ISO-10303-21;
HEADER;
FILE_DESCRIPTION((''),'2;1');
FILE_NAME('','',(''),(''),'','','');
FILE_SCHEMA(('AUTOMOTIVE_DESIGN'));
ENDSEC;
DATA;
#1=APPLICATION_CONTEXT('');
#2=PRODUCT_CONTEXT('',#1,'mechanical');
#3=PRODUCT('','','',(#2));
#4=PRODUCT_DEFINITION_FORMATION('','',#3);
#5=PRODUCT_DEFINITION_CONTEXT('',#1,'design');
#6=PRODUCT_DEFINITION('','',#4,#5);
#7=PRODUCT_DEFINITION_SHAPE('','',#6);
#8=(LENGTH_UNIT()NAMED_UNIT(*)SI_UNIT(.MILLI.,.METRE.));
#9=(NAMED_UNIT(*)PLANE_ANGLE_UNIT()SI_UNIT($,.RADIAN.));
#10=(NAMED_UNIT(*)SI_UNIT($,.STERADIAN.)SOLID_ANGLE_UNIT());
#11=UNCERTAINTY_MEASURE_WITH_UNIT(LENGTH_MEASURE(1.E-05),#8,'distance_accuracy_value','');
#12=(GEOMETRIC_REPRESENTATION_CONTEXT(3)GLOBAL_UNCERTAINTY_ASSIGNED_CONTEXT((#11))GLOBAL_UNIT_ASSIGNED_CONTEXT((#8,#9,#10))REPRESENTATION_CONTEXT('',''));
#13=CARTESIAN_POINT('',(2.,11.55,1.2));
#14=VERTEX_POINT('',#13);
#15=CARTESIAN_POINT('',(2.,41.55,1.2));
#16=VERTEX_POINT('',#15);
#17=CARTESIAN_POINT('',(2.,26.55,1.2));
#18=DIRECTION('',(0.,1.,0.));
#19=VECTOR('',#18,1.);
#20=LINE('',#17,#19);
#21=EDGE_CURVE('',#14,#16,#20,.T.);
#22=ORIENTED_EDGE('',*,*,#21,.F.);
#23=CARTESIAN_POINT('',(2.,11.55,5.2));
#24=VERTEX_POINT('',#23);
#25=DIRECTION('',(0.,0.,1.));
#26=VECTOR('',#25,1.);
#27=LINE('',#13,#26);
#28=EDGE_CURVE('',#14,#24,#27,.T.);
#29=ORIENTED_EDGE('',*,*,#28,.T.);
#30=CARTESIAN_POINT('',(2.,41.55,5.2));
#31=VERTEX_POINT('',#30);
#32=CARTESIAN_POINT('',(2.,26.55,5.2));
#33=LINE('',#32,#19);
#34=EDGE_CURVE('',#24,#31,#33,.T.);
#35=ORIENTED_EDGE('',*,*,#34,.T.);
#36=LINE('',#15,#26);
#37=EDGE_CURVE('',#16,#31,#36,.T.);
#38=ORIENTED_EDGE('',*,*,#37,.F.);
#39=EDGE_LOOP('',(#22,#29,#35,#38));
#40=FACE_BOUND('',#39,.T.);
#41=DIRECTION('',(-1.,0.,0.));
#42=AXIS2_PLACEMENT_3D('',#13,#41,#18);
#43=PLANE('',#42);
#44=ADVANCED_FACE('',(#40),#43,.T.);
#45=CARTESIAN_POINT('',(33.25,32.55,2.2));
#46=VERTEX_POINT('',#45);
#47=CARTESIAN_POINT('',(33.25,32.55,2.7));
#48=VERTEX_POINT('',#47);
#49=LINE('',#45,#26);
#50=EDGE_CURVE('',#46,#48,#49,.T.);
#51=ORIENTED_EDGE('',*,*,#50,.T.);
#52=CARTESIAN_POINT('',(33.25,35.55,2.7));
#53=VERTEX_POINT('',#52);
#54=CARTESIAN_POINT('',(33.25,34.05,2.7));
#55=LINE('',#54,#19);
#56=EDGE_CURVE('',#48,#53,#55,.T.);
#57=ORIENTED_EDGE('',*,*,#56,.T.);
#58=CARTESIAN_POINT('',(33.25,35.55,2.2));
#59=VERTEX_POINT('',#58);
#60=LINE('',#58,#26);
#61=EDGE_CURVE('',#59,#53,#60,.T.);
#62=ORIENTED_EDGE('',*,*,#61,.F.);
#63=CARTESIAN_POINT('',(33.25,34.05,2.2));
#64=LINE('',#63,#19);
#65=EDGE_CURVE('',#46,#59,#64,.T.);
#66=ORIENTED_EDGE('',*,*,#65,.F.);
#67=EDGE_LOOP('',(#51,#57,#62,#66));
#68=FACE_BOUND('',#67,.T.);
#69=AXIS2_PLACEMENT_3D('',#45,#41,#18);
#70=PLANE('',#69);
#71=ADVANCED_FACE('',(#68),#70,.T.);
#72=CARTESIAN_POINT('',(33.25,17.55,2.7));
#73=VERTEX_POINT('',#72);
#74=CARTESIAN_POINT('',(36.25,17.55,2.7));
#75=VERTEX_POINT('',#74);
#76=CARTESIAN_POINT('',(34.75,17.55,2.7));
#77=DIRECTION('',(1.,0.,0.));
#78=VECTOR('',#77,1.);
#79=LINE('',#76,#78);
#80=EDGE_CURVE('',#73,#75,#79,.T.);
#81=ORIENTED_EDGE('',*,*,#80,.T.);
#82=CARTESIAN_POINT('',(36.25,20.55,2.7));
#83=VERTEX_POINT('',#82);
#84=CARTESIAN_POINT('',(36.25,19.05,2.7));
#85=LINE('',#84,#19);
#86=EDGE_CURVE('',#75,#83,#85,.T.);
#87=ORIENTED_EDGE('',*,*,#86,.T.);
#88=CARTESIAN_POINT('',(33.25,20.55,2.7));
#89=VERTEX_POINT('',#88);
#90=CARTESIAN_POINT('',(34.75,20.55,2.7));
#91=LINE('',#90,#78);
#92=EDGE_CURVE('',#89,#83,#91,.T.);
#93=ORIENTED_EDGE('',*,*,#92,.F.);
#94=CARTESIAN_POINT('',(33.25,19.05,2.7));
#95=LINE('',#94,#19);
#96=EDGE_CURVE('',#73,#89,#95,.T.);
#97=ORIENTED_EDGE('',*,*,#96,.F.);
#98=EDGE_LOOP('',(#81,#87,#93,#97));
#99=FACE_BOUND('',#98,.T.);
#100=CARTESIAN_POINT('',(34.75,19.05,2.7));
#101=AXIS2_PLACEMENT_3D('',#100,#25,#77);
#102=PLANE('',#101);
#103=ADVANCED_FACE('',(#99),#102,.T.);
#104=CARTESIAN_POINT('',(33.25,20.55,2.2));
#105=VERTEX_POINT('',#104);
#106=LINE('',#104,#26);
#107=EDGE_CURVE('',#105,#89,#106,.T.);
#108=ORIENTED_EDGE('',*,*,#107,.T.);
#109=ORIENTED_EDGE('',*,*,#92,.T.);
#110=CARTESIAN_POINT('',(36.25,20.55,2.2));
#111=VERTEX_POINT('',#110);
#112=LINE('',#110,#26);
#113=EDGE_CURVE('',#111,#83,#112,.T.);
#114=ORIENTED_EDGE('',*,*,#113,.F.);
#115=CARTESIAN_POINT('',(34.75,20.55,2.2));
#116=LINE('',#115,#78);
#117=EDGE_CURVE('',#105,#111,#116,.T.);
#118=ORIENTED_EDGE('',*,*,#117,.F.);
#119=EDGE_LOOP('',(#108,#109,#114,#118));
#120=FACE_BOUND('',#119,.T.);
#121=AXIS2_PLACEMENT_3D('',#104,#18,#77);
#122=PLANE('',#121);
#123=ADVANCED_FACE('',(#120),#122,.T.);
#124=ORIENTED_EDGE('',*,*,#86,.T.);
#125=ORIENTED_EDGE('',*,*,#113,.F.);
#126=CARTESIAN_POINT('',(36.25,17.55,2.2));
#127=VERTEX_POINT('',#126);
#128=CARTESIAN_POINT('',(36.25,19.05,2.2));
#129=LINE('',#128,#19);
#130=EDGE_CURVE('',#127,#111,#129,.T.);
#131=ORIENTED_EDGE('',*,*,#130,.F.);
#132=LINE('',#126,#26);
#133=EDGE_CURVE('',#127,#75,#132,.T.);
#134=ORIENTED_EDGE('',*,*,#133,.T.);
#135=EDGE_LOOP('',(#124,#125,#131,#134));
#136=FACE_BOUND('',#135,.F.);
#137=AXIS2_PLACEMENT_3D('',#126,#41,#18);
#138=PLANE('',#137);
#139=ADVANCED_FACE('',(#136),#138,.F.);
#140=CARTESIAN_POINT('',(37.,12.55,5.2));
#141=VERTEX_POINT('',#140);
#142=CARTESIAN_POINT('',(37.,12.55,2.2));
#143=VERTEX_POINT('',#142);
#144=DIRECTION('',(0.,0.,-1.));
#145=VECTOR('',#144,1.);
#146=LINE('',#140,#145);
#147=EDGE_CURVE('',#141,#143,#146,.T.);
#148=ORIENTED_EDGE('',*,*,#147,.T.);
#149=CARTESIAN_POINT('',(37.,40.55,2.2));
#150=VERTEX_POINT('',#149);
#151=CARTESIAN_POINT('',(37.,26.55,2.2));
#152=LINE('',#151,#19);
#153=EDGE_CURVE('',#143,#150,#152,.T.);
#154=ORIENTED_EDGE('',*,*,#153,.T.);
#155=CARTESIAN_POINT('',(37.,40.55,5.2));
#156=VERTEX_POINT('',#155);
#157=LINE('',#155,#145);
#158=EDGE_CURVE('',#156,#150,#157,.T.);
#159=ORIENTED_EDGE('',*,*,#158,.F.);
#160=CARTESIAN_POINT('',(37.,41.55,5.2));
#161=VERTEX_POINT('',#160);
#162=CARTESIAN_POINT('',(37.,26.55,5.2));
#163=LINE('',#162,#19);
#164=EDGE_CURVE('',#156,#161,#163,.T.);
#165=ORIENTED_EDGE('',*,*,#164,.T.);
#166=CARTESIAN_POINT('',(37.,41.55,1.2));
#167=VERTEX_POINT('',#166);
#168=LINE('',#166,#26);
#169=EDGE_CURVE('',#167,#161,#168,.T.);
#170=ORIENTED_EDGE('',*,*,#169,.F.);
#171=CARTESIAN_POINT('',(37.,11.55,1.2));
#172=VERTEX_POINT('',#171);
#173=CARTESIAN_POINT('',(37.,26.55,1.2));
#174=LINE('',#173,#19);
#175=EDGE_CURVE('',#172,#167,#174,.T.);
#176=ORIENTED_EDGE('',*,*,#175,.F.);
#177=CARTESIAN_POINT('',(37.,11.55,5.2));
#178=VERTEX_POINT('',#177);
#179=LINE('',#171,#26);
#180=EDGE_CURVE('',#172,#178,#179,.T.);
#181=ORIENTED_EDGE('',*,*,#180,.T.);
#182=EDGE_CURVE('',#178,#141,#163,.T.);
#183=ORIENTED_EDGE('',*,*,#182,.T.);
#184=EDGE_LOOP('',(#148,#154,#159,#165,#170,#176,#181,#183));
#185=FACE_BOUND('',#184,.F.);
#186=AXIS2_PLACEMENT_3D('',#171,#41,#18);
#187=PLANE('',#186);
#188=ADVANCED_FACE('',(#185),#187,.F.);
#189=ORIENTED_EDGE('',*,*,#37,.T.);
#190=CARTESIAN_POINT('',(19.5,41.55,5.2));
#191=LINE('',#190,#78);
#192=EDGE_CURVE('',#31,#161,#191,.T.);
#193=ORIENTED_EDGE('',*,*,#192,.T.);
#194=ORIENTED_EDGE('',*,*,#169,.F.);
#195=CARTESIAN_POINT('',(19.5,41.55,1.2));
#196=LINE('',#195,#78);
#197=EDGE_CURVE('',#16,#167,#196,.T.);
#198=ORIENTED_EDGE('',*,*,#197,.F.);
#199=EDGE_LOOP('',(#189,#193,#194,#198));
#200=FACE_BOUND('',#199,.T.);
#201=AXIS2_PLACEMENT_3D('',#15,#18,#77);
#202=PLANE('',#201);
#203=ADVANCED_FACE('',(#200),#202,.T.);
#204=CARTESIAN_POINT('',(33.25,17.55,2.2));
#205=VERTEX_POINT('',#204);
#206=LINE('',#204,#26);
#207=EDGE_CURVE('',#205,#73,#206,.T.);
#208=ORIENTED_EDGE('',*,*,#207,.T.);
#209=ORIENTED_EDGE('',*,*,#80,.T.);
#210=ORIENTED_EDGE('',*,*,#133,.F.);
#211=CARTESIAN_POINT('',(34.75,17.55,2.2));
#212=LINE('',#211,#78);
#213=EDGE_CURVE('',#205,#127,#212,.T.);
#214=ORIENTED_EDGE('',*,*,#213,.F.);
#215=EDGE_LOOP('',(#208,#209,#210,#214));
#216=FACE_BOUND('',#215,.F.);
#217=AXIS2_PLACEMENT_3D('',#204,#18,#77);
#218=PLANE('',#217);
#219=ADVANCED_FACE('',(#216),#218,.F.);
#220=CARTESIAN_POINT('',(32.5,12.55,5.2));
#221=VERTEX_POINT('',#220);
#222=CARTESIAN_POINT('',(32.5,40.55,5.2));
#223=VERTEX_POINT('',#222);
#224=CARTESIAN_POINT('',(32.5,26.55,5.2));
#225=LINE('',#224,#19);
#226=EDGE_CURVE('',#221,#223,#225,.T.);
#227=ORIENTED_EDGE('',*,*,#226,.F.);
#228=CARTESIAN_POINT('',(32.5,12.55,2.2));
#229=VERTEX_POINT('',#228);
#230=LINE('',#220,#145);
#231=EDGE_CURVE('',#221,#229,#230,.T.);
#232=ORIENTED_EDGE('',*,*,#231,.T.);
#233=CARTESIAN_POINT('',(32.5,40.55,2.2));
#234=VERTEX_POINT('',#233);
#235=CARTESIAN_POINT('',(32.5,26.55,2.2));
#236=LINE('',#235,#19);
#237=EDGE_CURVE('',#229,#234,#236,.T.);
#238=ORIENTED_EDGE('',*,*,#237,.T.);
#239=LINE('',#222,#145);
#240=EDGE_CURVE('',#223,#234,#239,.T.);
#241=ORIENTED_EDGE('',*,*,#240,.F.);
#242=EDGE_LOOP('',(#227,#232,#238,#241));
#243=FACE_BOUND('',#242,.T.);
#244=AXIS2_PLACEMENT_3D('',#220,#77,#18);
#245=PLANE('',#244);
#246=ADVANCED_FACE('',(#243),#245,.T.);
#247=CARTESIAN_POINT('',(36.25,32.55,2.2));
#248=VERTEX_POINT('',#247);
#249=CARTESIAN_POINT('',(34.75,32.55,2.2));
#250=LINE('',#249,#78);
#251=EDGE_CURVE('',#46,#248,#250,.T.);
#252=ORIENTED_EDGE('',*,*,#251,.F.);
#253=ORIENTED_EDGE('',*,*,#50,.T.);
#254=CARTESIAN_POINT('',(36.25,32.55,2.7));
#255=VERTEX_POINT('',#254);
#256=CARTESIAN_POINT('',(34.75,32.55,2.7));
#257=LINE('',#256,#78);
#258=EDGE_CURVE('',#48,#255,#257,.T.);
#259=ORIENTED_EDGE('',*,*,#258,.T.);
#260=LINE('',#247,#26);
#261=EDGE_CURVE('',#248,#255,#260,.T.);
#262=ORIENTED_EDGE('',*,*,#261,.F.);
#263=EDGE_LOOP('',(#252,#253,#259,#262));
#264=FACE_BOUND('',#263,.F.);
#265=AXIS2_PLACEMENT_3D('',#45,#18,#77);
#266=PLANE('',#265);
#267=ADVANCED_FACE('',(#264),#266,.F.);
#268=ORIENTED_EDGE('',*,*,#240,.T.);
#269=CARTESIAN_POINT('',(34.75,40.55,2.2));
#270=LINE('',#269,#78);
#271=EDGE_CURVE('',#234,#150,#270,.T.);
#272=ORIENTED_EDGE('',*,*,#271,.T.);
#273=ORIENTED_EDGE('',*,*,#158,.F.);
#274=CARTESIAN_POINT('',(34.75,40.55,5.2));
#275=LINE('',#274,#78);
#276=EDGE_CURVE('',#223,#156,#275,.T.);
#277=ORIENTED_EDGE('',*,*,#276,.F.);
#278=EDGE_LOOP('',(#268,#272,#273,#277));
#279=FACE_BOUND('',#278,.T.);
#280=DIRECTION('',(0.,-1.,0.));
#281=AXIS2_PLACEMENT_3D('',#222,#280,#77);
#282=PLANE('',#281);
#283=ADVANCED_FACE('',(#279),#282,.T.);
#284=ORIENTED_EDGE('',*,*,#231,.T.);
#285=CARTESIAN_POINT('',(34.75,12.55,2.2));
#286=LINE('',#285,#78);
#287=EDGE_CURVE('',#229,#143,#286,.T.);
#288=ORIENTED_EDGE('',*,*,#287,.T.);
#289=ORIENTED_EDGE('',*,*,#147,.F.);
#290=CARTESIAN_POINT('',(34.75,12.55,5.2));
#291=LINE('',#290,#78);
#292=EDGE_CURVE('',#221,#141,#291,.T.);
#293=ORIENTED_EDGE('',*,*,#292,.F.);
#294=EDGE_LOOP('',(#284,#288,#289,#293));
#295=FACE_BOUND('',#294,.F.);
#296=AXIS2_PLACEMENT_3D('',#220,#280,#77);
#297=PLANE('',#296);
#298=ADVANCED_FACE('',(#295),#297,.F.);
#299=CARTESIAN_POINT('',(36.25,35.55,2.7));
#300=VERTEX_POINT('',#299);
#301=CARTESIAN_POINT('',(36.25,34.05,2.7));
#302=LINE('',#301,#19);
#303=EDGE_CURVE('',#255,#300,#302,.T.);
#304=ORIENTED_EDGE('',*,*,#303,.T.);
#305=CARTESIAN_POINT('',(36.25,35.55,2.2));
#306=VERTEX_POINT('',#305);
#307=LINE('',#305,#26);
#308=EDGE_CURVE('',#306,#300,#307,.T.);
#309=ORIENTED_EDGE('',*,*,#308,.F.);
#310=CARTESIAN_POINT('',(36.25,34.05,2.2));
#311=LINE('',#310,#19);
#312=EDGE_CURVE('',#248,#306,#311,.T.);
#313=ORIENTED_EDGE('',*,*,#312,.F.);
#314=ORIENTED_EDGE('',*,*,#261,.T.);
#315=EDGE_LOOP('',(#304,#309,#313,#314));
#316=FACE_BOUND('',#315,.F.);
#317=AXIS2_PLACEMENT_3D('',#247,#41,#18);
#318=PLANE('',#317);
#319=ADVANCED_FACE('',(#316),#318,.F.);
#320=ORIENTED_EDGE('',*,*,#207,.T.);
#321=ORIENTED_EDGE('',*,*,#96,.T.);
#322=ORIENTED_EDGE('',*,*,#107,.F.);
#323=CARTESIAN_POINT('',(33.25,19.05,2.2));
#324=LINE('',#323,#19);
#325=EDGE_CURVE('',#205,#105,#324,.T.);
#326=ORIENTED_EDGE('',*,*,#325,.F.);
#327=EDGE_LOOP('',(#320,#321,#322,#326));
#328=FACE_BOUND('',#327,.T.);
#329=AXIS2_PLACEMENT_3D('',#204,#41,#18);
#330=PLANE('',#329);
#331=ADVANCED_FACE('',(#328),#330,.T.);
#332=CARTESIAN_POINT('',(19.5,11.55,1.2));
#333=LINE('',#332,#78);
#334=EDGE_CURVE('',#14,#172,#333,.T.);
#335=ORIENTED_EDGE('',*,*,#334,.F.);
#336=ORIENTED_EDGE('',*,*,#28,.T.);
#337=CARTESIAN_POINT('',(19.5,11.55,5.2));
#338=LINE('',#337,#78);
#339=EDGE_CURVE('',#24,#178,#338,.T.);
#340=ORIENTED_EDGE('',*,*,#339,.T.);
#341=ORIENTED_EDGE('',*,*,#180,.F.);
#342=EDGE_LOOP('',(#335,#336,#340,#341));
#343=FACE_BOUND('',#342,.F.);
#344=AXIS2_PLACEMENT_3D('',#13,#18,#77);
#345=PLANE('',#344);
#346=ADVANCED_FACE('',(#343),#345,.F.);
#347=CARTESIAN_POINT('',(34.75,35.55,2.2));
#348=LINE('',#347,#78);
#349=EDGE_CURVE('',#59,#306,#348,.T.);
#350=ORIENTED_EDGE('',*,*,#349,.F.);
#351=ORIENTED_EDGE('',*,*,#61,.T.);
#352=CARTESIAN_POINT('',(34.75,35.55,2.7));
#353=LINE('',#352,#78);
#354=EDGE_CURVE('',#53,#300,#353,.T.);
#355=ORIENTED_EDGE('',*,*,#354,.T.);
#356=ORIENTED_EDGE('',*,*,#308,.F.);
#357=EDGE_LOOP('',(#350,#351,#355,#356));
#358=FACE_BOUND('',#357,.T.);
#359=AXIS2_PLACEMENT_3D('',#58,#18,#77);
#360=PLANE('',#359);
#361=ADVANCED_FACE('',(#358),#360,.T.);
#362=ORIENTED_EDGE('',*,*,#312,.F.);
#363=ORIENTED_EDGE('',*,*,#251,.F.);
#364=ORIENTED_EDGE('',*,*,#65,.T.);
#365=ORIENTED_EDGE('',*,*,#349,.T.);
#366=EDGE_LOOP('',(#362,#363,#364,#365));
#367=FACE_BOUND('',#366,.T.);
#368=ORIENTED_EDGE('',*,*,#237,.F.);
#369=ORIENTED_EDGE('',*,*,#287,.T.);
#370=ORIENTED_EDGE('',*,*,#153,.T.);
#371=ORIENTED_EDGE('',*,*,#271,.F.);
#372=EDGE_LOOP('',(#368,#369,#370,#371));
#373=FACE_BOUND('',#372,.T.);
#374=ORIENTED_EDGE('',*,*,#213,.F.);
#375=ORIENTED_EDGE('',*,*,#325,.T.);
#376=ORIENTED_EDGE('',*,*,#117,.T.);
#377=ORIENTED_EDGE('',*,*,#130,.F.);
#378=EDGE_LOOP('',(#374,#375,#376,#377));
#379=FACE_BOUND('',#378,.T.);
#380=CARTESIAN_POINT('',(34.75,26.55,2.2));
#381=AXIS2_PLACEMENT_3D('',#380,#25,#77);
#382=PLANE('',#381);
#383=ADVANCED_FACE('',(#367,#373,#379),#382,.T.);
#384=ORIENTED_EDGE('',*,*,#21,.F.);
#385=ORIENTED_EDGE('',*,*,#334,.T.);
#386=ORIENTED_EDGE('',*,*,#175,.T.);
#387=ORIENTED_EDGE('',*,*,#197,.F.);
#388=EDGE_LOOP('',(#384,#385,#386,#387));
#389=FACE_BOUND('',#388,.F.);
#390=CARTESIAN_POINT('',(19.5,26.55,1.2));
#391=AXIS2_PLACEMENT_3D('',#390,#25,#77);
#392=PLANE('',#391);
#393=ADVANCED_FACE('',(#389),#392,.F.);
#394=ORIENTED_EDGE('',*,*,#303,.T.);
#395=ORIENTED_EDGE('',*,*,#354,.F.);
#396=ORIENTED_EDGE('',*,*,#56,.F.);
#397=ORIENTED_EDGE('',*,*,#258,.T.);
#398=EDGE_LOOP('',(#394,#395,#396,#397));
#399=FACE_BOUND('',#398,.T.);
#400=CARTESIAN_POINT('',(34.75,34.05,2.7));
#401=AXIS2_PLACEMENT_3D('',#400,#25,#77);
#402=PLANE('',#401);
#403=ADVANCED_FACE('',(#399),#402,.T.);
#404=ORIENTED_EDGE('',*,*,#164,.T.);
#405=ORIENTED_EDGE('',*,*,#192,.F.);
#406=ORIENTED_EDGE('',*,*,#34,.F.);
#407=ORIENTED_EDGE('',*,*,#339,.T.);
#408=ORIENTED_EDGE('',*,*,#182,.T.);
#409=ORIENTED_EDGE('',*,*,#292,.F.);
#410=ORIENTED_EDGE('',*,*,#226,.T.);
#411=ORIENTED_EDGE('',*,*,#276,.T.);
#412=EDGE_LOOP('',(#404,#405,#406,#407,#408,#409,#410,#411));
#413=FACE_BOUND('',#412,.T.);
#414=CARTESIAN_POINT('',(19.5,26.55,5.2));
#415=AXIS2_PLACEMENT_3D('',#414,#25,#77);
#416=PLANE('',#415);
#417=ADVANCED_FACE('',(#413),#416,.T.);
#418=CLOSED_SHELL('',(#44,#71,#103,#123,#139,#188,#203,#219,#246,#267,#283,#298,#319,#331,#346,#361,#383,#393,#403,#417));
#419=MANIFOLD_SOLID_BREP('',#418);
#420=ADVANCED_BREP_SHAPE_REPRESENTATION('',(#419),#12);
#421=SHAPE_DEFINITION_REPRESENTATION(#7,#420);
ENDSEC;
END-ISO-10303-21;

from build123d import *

# Parameters (mm, degrees)
SKETCH034_W     = 35
SKETCH034_H     = 30
PAD022_DEPTH    = 4
SKETCH035_W     = 4.5
SKETCH035_H     = 28
POCKET009_DEPTH = 3
SKETCH036_W     = 3
SKETCH036_H     = 3
PAD023_DEPTH    = 0.5


with BuildPart() as part:
    # Sketch034 (on Face1 of CopyPad014001) → Pad022 (new body)
    with BuildSketch(Plane.XY.offset(1.2)):
        with Locations((19.5, 26.55)):
            Rectangle(SKETCH034_W, SKETCH034_H)
    extrude(amount=PAD022_DEPTH)

    # Sketch035 (on Face6 of Pad022) → Pocket009 (cut)
    with BuildSketch(Plane.XY.offset(5.2)):
        with Locations((34.75, 26.55)):
            Rectangle(SKETCH035_W, SKETCH035_H)
    extrude(amount=-POCKET009_DEPTH, mode=Mode.SUBTRACT)

    # Sketch036 (on Face8 of Pocket009) → Pad023 (join)
    with BuildSketch(Plane.XY.offset(2.2)):
        with Locations((34.75, 34.05)):
            Rectangle(SKETCH036_W, SKETCH036_H)
        with Locations((34.75, 19.05)):
            Rectangle(SKETCH036_W, SKETCH036_H)
    extrude(amount=PAD023_DEPTH)


solid = part.part
